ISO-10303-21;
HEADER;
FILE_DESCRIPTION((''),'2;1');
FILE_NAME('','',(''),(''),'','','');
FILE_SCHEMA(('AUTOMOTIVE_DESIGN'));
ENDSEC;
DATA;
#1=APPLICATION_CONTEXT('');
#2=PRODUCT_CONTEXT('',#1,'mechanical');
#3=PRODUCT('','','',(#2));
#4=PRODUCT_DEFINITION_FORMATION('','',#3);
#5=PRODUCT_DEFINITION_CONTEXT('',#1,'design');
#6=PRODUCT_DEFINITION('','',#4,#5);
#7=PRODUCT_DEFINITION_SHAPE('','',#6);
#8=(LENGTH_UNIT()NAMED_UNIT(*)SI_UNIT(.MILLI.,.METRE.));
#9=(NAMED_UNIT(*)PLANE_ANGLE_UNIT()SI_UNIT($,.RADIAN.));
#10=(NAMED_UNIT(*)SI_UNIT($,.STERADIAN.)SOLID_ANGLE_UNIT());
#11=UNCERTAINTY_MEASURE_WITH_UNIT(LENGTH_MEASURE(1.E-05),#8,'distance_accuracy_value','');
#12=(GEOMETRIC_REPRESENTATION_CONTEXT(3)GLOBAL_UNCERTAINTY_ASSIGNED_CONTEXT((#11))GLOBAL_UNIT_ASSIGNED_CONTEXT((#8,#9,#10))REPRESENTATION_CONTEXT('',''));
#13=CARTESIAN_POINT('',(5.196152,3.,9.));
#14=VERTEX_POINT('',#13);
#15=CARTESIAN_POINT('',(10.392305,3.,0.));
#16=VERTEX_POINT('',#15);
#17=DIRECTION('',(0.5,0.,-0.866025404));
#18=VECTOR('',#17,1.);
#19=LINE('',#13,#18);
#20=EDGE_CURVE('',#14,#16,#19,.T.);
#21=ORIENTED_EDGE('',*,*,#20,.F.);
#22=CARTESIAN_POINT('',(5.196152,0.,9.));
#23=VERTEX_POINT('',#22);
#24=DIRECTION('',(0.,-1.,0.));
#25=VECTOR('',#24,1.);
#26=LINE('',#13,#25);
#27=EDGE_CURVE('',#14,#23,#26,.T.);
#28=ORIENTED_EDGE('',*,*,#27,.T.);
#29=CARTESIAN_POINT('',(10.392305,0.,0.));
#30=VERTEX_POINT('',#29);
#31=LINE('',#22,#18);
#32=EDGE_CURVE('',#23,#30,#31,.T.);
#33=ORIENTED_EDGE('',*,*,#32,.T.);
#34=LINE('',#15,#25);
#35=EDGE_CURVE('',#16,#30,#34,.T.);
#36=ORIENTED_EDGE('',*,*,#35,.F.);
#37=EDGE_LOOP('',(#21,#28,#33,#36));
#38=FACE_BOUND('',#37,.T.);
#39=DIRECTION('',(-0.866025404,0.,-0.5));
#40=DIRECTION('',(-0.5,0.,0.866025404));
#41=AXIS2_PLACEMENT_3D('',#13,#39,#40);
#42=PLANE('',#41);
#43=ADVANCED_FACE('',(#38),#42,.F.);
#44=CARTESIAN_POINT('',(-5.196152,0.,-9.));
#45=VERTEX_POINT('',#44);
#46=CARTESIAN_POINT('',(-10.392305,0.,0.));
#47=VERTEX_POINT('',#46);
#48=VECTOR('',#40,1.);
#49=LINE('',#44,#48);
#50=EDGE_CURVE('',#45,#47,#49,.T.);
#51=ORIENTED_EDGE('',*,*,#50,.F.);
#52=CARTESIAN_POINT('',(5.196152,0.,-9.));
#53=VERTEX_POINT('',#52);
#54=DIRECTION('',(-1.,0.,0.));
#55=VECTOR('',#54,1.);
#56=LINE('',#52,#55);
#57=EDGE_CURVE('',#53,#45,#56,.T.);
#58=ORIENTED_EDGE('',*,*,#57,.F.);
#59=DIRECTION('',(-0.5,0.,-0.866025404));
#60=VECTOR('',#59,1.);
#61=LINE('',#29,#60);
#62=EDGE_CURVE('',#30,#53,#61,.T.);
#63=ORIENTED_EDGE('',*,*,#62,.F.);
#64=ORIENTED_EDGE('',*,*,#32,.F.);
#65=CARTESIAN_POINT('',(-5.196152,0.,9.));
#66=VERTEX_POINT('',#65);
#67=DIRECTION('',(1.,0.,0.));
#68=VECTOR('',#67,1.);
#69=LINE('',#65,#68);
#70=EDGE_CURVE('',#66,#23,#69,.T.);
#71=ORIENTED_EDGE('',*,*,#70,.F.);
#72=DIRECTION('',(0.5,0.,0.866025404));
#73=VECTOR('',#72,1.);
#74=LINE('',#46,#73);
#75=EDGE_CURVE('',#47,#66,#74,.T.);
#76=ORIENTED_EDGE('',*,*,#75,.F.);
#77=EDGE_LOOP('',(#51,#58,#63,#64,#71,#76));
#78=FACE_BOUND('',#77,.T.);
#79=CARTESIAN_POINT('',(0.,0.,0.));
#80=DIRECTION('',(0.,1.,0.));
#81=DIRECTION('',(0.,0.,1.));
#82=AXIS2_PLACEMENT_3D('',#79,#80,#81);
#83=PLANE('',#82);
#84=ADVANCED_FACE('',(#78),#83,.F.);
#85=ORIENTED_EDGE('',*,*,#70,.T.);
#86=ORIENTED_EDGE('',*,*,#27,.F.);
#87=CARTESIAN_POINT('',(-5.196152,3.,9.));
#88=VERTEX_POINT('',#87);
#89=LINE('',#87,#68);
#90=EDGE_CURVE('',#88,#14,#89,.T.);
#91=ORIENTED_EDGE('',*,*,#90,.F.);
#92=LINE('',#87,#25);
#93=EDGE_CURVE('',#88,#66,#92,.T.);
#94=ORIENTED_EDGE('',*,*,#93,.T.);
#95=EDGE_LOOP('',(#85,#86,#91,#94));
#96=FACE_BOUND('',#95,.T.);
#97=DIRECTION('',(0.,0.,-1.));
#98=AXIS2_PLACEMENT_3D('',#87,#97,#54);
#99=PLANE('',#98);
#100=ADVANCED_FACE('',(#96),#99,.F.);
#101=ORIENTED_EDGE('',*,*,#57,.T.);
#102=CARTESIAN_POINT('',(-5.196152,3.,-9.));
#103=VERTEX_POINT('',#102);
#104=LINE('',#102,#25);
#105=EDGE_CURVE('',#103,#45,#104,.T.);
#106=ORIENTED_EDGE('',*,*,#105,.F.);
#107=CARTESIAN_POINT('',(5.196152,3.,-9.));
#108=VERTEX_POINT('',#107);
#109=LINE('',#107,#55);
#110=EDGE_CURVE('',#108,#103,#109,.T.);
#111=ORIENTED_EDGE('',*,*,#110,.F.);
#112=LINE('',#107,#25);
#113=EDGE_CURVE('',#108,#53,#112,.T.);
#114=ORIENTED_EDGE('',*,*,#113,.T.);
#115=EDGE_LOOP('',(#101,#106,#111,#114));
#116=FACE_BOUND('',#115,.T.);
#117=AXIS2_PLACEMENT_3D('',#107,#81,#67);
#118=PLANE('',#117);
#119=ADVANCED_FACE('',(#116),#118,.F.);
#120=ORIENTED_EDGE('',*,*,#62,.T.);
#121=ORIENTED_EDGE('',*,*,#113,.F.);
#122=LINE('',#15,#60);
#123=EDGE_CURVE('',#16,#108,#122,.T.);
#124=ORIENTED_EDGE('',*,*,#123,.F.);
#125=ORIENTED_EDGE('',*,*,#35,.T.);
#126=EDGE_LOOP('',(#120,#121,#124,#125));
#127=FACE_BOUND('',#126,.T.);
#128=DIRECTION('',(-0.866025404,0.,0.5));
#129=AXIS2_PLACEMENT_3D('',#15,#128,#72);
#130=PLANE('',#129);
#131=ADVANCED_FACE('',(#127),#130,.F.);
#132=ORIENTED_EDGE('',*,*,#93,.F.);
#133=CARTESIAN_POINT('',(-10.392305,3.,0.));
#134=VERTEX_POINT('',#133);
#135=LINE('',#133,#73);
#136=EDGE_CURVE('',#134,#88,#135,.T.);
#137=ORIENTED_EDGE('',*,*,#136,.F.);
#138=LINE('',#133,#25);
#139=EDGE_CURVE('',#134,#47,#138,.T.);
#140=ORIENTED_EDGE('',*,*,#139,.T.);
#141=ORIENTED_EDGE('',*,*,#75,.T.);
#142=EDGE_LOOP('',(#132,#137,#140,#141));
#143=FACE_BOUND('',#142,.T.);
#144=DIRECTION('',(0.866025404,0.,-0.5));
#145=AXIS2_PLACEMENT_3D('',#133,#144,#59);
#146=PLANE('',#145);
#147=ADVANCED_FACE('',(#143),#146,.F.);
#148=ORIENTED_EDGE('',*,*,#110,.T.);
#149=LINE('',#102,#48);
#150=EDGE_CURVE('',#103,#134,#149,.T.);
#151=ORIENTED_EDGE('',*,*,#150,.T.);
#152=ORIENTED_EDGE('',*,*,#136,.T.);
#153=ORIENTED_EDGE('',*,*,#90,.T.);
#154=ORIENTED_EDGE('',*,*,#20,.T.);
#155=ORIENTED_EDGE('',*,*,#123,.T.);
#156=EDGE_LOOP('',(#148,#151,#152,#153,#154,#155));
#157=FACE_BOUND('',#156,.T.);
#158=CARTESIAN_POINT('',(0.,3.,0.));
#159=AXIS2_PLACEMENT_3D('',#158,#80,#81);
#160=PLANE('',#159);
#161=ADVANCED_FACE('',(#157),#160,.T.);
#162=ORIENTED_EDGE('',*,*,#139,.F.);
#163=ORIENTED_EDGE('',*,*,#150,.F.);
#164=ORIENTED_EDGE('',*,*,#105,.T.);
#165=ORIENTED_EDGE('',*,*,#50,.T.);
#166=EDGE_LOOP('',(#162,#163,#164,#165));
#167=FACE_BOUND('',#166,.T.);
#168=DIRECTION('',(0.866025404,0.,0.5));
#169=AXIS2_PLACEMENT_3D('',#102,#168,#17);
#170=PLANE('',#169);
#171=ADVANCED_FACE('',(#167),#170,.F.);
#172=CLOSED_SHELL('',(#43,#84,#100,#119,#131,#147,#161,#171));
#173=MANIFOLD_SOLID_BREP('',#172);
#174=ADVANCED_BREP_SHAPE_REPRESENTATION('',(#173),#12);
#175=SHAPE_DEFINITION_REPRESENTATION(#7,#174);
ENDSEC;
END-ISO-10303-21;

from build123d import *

# Parameters (mm, degrees)
BOSS_EXTRUDE1_DEPTH = 3


with BuildPart() as part:
    # Sketch1 → Boss-Extrude1 (new body)
    with BuildSketch(Plane(origin=(0, 0, 0), x_dir=(1, 0, 0), z_dir=(0, 1, 0))):
        Polygon((5.196152423, 9), (-5.196152423, 9), (-10.392304845, 0), (-5.196152423, -9), (5.196152423, -9), (10.392304845, 0), align=None)
    extrude(amount=BOSS_EXTRUDE1_DEPTH)


solid = part.part
